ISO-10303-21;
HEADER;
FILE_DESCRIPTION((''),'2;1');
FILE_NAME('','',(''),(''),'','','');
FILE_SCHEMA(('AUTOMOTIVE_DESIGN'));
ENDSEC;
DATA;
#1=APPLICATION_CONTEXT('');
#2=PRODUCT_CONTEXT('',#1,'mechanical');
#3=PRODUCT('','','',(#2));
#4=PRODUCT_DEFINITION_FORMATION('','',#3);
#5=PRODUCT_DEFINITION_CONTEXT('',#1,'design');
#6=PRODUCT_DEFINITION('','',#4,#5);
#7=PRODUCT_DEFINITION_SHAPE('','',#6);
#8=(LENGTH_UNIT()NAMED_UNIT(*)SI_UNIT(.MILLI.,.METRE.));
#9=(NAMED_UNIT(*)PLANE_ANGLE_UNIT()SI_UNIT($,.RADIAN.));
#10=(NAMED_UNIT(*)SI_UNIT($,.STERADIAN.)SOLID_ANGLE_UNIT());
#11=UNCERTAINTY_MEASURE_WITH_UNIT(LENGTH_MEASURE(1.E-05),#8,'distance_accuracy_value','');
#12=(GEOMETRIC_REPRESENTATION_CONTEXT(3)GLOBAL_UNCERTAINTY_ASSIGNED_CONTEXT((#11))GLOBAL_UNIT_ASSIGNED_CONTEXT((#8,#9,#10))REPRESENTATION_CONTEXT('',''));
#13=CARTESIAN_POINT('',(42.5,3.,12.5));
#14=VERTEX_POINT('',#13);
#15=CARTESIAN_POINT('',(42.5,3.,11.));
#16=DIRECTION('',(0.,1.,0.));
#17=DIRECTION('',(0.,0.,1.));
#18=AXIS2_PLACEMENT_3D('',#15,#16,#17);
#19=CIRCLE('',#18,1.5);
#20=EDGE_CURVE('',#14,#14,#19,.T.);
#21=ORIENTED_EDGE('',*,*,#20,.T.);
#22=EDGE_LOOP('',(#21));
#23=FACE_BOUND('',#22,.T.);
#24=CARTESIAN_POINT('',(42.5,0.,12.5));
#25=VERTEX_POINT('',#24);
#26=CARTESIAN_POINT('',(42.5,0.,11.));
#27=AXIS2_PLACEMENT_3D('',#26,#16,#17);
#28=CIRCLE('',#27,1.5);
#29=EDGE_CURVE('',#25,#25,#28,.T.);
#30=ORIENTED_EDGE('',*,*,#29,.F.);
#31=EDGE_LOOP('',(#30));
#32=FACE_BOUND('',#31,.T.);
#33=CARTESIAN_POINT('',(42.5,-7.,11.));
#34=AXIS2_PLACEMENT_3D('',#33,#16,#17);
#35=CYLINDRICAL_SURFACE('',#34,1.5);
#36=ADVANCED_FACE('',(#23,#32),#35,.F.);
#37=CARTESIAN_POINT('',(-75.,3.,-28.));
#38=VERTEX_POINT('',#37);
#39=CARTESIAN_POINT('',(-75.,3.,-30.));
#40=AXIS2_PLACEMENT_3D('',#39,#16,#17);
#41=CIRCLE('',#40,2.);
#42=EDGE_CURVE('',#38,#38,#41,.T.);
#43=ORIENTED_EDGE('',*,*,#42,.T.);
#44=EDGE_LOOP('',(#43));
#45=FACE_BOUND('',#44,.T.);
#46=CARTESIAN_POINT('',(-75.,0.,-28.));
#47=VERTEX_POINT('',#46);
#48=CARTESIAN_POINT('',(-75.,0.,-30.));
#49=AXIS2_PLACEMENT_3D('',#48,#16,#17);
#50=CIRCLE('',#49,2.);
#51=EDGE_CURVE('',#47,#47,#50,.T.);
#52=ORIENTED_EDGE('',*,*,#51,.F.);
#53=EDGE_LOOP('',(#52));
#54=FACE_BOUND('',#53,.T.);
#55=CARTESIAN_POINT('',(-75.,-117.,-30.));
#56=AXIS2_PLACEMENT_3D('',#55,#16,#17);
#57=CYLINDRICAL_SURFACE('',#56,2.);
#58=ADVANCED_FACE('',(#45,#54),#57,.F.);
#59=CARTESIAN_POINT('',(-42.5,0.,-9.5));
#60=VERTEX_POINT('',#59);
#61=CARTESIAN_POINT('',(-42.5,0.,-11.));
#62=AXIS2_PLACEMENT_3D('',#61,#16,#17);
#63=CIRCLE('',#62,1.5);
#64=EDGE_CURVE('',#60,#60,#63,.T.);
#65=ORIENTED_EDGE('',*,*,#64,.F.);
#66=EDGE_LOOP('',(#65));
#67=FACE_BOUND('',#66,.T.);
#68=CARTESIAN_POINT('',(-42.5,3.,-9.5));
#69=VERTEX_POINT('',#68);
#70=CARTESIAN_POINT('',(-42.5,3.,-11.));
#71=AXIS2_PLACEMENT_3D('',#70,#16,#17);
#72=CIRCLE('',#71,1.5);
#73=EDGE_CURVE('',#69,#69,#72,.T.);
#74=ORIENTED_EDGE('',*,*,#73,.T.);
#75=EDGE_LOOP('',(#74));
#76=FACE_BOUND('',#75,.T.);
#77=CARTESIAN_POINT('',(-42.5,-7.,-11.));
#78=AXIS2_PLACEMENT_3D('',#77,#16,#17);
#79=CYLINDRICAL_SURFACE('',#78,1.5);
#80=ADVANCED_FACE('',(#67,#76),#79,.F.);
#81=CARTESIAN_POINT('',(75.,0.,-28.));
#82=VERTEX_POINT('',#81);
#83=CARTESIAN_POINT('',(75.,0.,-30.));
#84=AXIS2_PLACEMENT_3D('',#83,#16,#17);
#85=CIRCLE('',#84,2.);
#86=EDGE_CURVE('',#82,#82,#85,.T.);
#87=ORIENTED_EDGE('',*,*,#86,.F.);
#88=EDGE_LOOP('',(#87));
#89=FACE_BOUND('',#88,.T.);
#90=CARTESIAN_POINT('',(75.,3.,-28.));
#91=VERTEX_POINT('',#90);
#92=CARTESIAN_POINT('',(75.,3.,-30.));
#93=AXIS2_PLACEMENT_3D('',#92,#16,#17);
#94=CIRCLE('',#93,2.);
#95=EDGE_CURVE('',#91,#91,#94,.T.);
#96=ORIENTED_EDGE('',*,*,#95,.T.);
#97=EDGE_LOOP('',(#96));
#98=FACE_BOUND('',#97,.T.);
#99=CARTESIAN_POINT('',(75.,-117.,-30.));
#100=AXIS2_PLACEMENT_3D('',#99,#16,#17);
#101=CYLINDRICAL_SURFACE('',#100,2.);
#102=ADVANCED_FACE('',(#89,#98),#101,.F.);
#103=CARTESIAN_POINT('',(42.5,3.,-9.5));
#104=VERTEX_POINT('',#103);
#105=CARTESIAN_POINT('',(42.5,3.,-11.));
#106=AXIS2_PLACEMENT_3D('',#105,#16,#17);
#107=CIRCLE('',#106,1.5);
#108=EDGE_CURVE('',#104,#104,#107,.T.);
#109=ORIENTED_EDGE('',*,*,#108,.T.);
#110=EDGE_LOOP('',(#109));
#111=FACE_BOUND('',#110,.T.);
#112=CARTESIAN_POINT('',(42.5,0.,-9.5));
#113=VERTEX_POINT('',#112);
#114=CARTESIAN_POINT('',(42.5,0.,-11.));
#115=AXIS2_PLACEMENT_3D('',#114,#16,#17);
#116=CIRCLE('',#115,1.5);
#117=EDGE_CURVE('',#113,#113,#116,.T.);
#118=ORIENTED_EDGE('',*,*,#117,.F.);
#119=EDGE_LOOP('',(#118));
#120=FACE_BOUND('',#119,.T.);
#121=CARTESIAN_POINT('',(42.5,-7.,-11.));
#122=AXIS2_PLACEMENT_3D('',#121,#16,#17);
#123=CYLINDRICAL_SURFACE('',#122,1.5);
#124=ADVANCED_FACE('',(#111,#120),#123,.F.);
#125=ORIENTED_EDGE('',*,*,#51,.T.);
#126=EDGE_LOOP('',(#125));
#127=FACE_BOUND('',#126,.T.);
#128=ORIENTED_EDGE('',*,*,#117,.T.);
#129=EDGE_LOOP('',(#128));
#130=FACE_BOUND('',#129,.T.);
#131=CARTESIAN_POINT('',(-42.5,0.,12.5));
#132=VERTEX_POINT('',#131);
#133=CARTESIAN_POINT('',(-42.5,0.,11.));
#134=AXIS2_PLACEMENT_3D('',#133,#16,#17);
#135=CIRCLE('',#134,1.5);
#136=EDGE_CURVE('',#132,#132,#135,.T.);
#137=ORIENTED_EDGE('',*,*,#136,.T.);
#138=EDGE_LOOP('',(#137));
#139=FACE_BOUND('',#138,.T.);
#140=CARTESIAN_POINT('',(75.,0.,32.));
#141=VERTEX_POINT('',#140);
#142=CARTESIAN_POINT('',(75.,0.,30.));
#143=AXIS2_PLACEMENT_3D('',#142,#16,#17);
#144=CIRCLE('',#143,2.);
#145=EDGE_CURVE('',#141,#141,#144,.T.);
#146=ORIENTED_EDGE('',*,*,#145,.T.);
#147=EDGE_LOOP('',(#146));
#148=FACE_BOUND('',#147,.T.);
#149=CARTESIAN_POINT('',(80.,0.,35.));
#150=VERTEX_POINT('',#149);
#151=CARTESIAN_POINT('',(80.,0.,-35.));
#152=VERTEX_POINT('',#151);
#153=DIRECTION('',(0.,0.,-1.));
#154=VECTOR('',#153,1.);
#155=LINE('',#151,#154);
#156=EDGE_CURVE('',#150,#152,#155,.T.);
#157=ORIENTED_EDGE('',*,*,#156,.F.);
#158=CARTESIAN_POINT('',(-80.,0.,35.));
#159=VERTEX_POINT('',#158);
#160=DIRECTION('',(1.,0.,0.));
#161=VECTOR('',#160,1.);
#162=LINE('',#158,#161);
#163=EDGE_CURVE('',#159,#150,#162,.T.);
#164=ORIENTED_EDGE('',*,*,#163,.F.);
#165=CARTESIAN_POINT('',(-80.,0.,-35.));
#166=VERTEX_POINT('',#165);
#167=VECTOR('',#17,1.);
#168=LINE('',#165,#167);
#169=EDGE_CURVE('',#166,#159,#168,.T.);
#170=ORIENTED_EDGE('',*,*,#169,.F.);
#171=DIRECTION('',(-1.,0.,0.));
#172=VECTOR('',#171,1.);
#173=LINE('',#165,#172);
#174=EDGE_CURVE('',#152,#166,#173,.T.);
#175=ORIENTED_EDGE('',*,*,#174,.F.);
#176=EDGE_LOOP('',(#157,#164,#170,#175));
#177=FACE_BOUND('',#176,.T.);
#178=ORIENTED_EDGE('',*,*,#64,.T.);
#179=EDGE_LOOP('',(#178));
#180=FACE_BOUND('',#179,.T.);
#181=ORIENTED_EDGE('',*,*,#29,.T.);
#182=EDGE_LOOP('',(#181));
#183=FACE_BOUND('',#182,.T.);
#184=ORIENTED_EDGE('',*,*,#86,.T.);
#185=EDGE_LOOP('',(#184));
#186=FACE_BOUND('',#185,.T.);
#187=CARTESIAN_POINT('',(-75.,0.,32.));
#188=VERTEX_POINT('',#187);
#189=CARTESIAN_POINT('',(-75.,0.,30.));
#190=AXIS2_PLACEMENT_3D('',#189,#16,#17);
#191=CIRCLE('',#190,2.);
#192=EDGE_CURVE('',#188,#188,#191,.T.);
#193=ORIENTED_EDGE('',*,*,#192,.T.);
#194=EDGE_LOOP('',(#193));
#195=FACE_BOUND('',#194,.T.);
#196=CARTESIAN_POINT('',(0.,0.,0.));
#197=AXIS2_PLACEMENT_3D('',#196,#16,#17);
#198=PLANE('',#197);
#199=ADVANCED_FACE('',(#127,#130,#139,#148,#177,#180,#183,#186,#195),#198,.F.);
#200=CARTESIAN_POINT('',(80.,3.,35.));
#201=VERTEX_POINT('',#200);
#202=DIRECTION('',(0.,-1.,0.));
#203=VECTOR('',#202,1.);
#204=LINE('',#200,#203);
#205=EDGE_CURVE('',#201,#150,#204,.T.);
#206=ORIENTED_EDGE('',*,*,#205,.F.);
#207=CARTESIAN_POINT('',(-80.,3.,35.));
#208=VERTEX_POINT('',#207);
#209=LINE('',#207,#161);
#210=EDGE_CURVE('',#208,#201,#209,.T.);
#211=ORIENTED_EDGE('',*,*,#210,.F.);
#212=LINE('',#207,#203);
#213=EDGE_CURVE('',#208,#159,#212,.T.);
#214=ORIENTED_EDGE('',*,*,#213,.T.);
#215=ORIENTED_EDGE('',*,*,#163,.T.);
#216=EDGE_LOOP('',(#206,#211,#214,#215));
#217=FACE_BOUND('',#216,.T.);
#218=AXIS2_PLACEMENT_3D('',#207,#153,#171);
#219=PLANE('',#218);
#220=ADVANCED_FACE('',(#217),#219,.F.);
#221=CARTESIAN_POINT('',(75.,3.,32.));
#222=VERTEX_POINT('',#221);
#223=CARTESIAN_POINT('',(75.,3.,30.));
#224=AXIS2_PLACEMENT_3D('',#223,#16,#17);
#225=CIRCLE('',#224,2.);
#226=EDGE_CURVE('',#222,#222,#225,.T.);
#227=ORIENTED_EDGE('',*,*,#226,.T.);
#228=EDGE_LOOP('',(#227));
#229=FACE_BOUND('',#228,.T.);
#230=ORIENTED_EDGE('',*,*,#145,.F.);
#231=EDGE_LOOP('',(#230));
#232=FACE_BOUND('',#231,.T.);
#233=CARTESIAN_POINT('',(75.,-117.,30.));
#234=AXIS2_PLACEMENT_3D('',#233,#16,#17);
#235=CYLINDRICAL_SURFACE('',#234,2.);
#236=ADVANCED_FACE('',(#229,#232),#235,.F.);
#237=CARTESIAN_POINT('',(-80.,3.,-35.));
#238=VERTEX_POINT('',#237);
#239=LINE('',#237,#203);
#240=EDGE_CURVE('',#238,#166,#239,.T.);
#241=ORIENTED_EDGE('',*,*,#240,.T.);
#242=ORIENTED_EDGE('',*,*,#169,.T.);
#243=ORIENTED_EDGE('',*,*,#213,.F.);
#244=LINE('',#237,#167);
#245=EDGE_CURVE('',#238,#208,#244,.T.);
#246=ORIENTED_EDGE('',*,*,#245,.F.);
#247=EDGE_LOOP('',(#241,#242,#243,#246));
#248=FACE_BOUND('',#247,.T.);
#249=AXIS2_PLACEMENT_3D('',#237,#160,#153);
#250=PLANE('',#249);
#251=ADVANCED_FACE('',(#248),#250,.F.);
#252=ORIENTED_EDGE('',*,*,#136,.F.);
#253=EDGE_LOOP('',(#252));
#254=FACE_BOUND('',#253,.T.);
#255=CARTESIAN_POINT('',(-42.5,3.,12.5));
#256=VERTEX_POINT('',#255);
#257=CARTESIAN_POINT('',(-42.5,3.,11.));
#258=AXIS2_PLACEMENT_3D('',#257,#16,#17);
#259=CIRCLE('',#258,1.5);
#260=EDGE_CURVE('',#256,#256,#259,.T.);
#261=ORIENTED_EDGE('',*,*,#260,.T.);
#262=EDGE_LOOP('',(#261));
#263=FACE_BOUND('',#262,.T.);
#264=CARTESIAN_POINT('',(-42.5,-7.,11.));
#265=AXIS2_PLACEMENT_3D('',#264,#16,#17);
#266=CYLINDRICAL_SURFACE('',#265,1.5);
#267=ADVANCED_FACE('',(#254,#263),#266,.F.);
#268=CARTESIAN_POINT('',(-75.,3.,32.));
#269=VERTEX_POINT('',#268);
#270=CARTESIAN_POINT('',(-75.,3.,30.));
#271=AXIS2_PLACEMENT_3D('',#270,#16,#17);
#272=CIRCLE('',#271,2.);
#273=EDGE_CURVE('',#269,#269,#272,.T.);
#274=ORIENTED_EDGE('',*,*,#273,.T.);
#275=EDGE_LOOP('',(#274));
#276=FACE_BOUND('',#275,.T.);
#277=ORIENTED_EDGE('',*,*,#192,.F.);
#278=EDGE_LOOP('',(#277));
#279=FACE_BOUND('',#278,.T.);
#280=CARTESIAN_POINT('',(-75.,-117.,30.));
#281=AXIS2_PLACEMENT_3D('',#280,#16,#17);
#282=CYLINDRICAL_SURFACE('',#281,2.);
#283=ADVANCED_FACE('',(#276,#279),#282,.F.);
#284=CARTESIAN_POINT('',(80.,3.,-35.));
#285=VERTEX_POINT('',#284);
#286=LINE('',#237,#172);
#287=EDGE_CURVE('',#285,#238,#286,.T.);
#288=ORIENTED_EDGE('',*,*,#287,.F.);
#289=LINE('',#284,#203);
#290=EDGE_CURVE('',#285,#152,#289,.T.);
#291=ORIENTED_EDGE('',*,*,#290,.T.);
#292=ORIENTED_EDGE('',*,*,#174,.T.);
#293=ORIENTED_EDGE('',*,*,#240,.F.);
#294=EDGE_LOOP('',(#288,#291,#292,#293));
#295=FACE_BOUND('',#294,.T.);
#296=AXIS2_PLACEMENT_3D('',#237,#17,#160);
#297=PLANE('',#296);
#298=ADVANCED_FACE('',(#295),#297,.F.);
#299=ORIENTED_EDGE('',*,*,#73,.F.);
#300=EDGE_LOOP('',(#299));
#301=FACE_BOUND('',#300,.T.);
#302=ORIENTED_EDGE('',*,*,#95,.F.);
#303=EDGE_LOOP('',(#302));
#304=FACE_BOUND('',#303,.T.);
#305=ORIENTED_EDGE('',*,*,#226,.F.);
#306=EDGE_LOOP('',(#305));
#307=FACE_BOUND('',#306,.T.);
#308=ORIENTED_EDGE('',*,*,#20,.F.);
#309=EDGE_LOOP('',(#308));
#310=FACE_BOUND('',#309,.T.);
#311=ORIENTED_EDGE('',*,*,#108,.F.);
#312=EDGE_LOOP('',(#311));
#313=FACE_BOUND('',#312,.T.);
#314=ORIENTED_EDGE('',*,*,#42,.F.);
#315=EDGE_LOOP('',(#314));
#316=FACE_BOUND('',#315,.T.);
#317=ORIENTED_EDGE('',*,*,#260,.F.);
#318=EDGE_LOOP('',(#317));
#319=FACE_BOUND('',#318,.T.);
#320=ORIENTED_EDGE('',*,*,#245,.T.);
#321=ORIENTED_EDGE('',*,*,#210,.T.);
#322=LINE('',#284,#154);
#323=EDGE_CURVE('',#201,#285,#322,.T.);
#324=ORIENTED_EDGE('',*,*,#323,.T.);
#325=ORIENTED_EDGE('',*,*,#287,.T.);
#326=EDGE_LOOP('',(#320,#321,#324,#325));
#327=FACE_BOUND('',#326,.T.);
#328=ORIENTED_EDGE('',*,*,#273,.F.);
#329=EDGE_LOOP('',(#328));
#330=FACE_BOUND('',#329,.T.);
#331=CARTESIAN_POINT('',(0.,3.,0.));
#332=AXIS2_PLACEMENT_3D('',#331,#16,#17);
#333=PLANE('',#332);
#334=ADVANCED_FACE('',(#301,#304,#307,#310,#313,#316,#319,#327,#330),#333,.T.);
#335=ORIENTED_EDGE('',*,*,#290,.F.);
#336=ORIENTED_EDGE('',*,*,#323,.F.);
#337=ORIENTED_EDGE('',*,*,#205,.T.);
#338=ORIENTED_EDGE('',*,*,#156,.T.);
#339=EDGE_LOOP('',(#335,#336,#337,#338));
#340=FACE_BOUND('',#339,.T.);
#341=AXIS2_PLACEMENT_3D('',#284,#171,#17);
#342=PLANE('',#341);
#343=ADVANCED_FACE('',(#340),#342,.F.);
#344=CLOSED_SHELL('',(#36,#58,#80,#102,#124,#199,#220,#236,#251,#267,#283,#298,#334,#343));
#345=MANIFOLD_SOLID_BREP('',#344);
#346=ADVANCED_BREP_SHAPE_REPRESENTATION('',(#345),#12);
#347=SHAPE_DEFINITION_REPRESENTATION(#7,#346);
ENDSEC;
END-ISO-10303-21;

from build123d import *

# Parameters (mm, degrees)
SKETCH1_W      = 160
SKETCH1_H      = 70
EXTRUDE1_DEPTH = 3
SKETCH2_R      = 2
EXTRUDE2_DEPTH = 120
SKETCH3_R      = 1.5
EXTRUDE3_DEPTH = 10


with BuildPart() as part:
    # Sketch1 → Extrude1 (new body)
    with BuildSketch(Plane(origin=(0, 0, 0), x_dir=(1, 0, 0), z_dir=(0, 1, 0))):
        Rectangle(SKETCH1_W, SKETCH1_H)
    extrude(amount=EXTRUDE1_DEPTH)

    # Sketch2 → Extrude2 (cut)
    with BuildSketch(Plane(origin=(0, 3, 0), x_dir=(1, 0, 0), z_dir=(0, 1, 0))):
        with Locations(Location((-75, 30, 0), (0, 0, 270))):
            Circle(SKETCH2_R)
        with Locations(Location((-75, -30, 0), (0, 0, 270))):
            Circle(SKETCH2_R)
        with Locations(Location((75, -30, 0), (0, 0, 270))):
            Circle(SKETCH2_R)
        with Locations(Location((75, 30, 0), (0, 0, 270))):
            Circle(SKETCH2_R)
    extrude(amount=-EXTRUDE2_DEPTH, mode=Mode.SUBTRACT)

    # Sketch3 → Extrude3 (cut)
    with BuildSketch(Plane(origin=(0, 3, 0), x_dir=(1, 0, 0), z_dir=(0, 1, 0))):
        with Locations(Location((-42.5, 11, 0), (0, 0, 270))):
            Circle(SKETCH3_R)
        with Locations(Location((-42.5, -11, 0), (0, 0, 270))):
            Circle(SKETCH3_R)
        with Locations(Location((42.5, -11, 0), (0, 0, 270))):
            Circle(SKETCH3_R)
        with Locations(Location((42.5, 11, 0), (0, 0, 270))):
            Circle(SKETCH3_R)
    extrude(amount=-EXTRUDE3_DEPTH, mode=Mode.SUBTRACT)


solid = part.part
